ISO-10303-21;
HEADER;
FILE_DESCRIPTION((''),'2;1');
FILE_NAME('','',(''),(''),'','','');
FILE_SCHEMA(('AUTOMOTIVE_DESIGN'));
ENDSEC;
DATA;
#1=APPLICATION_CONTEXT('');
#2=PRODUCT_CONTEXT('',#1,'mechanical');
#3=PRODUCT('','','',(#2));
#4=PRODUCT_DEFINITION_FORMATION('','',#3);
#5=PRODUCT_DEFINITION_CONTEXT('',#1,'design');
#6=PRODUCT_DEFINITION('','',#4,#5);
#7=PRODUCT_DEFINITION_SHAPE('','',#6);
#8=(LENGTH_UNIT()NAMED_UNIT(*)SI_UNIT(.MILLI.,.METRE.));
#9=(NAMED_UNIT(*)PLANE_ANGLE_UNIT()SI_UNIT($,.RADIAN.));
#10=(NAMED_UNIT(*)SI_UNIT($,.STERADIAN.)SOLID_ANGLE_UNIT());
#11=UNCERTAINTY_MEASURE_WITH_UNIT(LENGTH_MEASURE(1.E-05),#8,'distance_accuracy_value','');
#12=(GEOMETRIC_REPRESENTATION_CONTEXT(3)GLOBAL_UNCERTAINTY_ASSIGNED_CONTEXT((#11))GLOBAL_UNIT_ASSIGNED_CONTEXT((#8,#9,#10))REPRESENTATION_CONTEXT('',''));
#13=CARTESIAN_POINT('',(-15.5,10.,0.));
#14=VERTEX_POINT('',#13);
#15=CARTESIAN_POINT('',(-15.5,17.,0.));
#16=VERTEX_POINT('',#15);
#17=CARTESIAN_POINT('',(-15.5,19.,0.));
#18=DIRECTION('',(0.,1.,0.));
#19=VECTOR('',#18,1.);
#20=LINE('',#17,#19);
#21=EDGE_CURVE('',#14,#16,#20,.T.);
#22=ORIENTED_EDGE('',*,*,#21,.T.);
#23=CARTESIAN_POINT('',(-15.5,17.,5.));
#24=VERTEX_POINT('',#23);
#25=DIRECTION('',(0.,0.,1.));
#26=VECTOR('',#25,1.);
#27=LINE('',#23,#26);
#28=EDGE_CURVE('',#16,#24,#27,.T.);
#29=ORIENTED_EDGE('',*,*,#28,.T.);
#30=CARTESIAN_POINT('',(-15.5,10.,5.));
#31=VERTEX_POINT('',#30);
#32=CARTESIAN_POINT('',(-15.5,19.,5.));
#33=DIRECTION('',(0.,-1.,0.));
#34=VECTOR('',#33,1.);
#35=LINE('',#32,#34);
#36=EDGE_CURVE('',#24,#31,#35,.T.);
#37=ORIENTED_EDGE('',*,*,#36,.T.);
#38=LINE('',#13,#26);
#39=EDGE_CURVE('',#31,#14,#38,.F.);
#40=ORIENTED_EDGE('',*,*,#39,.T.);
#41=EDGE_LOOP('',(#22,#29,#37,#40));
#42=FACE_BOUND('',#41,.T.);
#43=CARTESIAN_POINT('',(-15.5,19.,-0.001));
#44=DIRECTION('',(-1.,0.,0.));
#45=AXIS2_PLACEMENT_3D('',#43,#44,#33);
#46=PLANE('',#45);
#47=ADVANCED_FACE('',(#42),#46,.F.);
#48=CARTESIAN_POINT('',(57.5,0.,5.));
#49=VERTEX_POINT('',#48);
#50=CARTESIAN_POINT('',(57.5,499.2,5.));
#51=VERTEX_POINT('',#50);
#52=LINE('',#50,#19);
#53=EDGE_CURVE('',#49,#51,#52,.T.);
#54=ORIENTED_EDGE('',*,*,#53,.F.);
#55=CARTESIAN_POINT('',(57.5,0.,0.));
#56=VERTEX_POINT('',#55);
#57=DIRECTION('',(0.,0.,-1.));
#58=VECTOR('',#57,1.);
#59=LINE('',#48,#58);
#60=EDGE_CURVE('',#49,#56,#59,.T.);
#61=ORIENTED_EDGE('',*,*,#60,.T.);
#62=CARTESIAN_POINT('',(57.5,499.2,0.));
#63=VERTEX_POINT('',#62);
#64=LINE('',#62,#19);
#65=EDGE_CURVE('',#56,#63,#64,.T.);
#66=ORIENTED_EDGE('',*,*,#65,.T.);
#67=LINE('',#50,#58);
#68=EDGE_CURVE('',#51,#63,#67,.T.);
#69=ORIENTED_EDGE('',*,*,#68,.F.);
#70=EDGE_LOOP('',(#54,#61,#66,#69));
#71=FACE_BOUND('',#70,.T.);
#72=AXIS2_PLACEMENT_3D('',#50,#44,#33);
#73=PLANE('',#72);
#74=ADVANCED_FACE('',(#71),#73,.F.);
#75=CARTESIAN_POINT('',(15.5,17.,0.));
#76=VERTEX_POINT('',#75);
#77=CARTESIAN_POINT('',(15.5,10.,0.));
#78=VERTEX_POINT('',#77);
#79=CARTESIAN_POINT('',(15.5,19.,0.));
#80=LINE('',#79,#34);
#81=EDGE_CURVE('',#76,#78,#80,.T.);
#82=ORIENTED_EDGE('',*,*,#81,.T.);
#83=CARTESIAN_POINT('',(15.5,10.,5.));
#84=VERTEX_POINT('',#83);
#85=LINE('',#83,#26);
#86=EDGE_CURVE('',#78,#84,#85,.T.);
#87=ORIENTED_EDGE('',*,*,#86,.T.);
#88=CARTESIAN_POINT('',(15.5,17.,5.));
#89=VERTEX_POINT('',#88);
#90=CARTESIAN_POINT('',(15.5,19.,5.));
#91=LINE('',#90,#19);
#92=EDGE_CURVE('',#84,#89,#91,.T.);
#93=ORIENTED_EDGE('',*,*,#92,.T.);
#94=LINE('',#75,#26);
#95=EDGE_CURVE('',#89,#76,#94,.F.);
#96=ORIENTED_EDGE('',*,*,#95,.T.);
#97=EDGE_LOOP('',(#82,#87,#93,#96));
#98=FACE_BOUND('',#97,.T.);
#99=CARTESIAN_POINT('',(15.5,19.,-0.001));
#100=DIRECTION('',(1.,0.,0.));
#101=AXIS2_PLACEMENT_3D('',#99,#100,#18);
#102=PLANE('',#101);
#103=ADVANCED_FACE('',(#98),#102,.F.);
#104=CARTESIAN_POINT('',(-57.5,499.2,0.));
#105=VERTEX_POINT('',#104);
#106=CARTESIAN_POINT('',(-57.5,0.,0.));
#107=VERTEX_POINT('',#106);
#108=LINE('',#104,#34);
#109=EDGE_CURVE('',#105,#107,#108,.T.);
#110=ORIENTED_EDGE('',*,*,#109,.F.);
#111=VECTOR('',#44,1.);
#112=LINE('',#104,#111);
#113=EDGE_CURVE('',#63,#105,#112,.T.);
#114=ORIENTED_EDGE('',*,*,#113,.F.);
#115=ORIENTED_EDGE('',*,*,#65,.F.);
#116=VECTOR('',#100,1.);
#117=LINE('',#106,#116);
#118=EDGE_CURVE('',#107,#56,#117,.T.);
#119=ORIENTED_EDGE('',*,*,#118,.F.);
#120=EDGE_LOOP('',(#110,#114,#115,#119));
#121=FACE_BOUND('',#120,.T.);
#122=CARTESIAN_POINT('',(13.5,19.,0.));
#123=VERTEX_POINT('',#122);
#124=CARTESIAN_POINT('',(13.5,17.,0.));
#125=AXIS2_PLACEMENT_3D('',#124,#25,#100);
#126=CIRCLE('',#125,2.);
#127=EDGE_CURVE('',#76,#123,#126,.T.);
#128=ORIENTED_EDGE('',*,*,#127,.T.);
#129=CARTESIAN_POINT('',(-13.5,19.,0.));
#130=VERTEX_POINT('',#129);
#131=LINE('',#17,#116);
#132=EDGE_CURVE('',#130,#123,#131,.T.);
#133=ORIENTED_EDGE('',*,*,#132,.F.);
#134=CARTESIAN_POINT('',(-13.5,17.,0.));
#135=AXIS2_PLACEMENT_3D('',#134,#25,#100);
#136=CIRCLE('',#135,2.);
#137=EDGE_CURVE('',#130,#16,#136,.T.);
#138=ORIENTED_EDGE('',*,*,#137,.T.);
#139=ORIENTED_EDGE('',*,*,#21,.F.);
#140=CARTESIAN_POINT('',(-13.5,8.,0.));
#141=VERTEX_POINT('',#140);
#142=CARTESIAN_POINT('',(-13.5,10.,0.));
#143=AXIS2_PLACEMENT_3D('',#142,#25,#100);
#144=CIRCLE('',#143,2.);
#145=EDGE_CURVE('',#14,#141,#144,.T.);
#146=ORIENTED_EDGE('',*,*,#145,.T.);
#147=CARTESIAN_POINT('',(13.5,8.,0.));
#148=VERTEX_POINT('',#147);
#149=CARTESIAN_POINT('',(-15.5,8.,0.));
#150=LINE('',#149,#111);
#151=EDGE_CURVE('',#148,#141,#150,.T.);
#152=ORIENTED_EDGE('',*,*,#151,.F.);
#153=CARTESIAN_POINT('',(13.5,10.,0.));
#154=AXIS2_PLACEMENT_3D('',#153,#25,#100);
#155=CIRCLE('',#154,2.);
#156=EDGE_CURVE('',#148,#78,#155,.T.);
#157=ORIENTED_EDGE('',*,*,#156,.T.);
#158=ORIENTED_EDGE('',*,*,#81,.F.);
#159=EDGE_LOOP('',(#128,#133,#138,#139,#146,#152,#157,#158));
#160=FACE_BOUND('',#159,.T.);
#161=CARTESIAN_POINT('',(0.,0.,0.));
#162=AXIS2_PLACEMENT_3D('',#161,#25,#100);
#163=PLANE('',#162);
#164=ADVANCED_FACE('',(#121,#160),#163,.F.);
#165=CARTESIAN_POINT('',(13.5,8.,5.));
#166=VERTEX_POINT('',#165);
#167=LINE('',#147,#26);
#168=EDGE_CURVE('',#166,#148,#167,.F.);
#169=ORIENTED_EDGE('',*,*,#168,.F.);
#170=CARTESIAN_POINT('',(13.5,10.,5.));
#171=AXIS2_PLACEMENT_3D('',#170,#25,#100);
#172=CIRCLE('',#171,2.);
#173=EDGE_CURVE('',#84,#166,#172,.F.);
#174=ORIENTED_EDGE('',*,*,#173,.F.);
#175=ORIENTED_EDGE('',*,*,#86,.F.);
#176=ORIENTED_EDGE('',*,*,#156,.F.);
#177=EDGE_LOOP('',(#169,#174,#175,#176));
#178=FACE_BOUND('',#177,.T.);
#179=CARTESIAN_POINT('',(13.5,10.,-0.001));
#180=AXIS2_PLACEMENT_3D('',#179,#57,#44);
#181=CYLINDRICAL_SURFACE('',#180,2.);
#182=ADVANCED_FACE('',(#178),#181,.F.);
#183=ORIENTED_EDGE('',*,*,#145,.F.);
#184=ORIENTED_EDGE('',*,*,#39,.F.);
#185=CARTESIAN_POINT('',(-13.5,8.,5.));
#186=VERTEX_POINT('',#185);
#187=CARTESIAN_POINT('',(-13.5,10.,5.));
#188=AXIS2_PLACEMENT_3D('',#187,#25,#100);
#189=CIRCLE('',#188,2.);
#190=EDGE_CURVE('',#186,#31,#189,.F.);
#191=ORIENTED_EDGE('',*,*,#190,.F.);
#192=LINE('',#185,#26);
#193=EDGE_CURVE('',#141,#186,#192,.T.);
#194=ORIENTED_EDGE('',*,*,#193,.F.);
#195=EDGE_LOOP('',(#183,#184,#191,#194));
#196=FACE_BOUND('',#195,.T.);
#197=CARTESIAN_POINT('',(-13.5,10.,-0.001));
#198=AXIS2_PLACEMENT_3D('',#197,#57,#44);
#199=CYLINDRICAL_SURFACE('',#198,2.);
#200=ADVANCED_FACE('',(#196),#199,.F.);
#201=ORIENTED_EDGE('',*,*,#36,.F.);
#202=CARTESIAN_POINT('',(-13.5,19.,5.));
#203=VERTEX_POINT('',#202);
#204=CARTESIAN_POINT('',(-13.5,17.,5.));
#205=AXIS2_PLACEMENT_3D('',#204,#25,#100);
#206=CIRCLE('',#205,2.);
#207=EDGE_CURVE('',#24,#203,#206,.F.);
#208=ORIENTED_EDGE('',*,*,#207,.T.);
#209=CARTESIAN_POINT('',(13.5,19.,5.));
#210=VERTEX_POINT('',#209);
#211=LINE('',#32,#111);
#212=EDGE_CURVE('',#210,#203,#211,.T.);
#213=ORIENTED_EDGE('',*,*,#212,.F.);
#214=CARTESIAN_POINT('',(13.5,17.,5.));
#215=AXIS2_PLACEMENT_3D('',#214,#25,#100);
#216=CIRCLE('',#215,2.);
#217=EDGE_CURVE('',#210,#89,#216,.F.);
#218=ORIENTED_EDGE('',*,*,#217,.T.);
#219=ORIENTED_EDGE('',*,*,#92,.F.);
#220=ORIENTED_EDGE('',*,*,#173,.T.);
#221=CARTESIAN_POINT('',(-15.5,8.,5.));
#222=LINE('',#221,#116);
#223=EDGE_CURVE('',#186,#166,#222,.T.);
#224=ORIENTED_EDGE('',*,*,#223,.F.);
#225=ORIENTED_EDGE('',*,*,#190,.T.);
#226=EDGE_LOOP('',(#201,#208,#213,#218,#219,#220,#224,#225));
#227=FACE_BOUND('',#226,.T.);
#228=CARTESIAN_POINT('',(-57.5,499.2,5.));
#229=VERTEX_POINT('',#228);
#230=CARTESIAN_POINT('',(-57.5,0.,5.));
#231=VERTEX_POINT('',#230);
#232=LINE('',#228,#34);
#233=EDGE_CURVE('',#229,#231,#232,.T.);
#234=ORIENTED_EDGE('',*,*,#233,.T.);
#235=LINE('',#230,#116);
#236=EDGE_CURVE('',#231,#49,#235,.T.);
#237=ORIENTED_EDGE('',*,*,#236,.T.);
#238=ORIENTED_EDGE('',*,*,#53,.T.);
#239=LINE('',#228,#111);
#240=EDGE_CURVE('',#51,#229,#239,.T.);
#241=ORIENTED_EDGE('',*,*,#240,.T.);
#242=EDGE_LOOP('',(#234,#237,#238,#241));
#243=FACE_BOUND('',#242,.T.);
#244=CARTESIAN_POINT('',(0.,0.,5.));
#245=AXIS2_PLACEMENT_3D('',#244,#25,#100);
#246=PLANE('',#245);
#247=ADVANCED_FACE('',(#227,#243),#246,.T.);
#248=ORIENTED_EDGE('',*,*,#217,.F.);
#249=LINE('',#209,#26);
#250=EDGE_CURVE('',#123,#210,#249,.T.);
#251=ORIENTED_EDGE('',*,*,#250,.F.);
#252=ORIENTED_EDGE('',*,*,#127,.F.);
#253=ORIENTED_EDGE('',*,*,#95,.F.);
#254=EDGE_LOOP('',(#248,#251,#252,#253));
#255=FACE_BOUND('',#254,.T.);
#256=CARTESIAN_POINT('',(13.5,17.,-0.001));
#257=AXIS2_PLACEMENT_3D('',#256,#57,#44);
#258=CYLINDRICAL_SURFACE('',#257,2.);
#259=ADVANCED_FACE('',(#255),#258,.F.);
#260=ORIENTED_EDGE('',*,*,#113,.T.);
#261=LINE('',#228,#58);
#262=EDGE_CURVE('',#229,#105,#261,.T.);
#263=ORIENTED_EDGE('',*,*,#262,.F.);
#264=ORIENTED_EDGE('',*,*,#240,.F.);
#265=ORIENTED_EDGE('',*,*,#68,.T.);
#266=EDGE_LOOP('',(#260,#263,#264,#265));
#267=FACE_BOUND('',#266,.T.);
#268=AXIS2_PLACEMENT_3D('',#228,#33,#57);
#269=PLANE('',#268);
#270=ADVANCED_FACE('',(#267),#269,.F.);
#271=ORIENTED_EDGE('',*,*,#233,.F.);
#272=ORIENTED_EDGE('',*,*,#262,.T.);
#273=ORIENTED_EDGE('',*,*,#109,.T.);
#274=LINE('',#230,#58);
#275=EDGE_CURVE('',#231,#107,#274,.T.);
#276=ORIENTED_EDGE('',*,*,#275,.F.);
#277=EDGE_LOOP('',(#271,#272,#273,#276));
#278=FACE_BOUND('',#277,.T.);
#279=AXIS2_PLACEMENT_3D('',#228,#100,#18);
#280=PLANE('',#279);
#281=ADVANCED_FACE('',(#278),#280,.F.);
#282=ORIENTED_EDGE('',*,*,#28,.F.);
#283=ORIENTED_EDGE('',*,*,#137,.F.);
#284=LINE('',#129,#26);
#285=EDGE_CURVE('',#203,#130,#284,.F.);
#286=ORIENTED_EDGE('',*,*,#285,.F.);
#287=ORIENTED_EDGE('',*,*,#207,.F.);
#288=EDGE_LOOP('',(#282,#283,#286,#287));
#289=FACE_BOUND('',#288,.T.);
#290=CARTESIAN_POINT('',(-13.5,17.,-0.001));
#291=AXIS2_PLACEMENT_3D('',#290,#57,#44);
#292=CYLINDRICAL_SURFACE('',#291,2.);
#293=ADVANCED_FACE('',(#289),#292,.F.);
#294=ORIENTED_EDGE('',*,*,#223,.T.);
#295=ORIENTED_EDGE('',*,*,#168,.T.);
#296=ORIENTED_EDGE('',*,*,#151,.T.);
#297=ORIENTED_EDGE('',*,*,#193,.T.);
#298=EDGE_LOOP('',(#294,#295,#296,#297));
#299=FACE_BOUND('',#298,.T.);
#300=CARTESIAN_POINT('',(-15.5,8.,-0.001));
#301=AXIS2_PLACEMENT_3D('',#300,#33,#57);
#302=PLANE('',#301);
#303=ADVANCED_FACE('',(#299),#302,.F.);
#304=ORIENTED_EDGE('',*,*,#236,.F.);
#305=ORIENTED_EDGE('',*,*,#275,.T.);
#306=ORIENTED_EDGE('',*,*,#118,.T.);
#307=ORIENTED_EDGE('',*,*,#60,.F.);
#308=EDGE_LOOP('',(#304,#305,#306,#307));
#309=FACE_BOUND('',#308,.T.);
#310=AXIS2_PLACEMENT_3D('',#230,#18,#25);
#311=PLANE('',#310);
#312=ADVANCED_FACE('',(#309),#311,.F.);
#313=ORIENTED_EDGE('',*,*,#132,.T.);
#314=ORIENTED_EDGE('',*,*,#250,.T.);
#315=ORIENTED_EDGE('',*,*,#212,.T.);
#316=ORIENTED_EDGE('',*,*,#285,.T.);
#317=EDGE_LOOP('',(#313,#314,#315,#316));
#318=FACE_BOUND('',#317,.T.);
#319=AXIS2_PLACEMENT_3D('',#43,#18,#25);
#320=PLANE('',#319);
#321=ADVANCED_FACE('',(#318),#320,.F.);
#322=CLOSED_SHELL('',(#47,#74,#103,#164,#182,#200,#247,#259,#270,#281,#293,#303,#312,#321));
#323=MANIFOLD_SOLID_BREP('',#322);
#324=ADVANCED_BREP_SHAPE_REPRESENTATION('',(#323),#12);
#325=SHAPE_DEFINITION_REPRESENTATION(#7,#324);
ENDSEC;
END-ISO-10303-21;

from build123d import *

# Parameters (mm, degrees)
SKETCH1_W           = 115
SKETCH1_H           = 499.2
BOSS_EXTRUDE1_DEPTH = 5
CUT_EXTRUDE1_REACH  = 504.526
SKETCH2_W           = 31
SKETCH2_H           = 11
FILLET1_R           = 2


with BuildPart() as part:
    # Sketch1 → Boss-Extrude1 (new body)
    with BuildSketch(Plane.XY):
        with Locations((0, 249.6)):
            Rectangle(SKETCH1_W, SKETCH1_H)
    extrude(amount=BOSS_EXTRUDE1_DEPTH)

    # Sketch2 → Cut-Extrude1 (cut, up to next)
    with BuildSketch(Plane.XY.offset(5), mode=Mode.PRIVATE) as cut_extrude1_sk1:
        with Locations((0, 13.5)):
            Rectangle(SKETCH2_W, SKETCH2_H)
    cut_extrude1_tool1 = extrude(cut_extrude1_sk1.sketch, amount=-CUT_EXTRUDE1_REACH, mode=Mode.PRIVATE) & part.part
    add(cut_extrude1_tool1.solids().sort_by_distance((0, 13.5, 5))[0], mode=Mode.SUBTRACT)

    # Fillet1
    fillet1_edges = [part.edges().sort_by_distance(p)[0] for p in [
        (-15.5, 8, 2.5),
        (-15.5, 19, 2.5),
        (15.5, 19, 2.5),
        (15.5, 8, 2.5),
    ]]
    fillet(fillet1_edges, radius=FILLET1_R)


solid = part.part
